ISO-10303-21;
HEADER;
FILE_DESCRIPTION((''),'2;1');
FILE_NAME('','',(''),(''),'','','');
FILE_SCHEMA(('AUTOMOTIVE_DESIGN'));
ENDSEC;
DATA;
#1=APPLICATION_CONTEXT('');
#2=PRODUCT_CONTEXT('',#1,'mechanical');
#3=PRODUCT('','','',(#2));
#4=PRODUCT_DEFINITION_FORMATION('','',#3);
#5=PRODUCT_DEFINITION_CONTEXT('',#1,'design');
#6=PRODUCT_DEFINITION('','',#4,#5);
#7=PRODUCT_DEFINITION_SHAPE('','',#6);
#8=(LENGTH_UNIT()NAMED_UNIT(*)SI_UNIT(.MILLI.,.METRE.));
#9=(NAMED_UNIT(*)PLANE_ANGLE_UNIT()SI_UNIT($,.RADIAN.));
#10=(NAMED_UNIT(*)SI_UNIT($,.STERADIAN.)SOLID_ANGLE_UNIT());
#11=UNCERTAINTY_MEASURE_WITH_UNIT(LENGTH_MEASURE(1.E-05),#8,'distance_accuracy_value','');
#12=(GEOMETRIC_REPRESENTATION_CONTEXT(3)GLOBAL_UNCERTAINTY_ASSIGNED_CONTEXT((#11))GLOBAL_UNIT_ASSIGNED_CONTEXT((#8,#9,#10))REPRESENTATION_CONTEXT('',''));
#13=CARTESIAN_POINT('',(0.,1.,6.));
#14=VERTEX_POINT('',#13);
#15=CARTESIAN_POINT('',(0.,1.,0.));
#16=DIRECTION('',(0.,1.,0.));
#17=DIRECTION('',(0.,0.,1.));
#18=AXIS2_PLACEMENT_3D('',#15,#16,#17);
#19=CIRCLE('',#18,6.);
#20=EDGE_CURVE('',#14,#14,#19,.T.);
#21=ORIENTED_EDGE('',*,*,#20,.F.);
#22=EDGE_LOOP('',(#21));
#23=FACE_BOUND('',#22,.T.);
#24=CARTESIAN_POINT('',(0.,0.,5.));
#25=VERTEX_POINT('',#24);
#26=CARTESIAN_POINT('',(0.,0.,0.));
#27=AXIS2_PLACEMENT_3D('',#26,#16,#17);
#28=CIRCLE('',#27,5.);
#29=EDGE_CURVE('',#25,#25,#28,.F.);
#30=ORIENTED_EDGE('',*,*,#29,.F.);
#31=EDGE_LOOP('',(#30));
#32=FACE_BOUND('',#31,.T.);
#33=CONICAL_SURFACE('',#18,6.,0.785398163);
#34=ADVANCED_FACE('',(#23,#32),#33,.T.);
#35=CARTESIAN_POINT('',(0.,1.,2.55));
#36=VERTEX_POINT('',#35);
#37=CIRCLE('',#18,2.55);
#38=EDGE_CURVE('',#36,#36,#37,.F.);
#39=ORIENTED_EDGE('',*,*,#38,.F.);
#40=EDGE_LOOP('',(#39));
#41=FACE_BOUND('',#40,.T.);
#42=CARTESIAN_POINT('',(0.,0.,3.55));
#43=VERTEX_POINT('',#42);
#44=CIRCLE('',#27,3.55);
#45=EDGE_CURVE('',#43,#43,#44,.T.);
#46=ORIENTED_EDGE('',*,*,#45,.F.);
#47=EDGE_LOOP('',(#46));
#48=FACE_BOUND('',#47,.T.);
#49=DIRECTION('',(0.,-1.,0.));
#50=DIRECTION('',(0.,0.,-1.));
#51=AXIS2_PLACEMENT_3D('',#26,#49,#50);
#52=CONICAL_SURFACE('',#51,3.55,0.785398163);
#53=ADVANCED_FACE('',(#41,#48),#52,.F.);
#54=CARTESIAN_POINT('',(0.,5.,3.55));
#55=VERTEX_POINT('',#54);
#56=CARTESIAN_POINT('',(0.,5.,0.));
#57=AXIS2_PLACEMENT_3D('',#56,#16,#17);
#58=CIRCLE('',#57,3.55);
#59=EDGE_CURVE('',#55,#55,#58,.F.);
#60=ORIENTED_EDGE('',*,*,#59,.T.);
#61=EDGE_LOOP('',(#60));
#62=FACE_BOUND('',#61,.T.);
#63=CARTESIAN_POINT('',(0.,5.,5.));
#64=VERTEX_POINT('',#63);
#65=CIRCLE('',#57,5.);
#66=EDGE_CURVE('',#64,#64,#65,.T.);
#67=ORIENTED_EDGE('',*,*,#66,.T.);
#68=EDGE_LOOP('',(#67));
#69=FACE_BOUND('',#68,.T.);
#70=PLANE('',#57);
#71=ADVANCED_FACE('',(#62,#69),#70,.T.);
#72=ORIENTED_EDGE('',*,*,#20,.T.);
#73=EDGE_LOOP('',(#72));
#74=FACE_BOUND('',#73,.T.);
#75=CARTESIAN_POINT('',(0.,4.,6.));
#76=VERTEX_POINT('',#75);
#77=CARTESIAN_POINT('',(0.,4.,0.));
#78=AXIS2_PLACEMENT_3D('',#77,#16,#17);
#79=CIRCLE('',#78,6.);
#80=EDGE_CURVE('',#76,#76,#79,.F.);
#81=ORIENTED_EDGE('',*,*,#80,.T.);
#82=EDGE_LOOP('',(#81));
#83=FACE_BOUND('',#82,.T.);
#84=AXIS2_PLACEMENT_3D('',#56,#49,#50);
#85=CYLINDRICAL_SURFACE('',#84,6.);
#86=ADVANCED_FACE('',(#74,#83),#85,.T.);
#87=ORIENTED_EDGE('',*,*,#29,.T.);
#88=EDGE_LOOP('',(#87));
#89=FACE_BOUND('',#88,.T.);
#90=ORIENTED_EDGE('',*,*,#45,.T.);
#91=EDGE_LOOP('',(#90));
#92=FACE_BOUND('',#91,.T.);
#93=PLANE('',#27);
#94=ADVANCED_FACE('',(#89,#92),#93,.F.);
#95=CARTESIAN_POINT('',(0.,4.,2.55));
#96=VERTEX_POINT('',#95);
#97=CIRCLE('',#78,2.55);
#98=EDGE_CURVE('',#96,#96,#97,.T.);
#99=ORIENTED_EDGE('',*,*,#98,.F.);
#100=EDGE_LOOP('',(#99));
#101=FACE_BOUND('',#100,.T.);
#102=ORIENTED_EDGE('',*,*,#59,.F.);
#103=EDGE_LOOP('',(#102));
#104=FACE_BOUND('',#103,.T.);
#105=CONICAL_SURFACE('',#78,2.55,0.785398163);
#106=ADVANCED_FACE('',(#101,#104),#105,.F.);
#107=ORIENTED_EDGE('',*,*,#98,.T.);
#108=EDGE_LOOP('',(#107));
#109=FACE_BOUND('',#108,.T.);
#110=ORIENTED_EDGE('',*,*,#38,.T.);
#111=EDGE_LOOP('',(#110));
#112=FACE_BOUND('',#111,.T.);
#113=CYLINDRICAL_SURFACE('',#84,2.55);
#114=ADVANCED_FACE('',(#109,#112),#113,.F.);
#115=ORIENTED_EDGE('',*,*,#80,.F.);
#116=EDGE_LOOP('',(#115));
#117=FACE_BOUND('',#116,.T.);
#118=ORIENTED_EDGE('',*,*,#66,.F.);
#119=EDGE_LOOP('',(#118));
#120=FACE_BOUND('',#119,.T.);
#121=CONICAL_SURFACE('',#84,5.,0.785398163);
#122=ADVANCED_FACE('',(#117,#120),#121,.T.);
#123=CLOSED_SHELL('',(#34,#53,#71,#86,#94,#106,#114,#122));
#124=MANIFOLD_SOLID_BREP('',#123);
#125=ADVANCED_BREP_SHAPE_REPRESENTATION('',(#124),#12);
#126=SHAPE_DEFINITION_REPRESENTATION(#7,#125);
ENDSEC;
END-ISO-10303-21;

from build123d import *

# Parameters (mm, degrees)
SKETCH1_R           = 6
SKETCH1_R_2         = 2.55
BOSS_EXTRUDE1_DEPTH = 5
CHAMFER1_SIZE       = 1


with BuildPart() as part:
    # Sketch1 → Boss-Extrude1 (new body)
    with BuildSketch(Plane(origin=(0, 0, 0), x_dir=(1, 0, 0), z_dir=(0, 1, 0))):
        with Locations(Location((0, 0, 0), (0, 0, 270))):
            Circle(SKETCH1_R)
        with Locations(Location((0, 0, 0), (0, 0, 270))):
            Circle(SKETCH1_R_2, mode=Mode.SUBTRACT)
    extrude(amount=BOSS_EXTRUDE1_DEPTH)

    # Chamfer1
    chamfer1_edges = [part.edges().sort_by_distance(p)[0] for p in [
        (0, 5, -6),
        (0, 0, -6),
        (0, 0, -2.55),
        (0, 5, -2.55),
    ]]
    chamfer(chamfer1_edges, length=CHAMFER1_SIZE)


solid = part.part
